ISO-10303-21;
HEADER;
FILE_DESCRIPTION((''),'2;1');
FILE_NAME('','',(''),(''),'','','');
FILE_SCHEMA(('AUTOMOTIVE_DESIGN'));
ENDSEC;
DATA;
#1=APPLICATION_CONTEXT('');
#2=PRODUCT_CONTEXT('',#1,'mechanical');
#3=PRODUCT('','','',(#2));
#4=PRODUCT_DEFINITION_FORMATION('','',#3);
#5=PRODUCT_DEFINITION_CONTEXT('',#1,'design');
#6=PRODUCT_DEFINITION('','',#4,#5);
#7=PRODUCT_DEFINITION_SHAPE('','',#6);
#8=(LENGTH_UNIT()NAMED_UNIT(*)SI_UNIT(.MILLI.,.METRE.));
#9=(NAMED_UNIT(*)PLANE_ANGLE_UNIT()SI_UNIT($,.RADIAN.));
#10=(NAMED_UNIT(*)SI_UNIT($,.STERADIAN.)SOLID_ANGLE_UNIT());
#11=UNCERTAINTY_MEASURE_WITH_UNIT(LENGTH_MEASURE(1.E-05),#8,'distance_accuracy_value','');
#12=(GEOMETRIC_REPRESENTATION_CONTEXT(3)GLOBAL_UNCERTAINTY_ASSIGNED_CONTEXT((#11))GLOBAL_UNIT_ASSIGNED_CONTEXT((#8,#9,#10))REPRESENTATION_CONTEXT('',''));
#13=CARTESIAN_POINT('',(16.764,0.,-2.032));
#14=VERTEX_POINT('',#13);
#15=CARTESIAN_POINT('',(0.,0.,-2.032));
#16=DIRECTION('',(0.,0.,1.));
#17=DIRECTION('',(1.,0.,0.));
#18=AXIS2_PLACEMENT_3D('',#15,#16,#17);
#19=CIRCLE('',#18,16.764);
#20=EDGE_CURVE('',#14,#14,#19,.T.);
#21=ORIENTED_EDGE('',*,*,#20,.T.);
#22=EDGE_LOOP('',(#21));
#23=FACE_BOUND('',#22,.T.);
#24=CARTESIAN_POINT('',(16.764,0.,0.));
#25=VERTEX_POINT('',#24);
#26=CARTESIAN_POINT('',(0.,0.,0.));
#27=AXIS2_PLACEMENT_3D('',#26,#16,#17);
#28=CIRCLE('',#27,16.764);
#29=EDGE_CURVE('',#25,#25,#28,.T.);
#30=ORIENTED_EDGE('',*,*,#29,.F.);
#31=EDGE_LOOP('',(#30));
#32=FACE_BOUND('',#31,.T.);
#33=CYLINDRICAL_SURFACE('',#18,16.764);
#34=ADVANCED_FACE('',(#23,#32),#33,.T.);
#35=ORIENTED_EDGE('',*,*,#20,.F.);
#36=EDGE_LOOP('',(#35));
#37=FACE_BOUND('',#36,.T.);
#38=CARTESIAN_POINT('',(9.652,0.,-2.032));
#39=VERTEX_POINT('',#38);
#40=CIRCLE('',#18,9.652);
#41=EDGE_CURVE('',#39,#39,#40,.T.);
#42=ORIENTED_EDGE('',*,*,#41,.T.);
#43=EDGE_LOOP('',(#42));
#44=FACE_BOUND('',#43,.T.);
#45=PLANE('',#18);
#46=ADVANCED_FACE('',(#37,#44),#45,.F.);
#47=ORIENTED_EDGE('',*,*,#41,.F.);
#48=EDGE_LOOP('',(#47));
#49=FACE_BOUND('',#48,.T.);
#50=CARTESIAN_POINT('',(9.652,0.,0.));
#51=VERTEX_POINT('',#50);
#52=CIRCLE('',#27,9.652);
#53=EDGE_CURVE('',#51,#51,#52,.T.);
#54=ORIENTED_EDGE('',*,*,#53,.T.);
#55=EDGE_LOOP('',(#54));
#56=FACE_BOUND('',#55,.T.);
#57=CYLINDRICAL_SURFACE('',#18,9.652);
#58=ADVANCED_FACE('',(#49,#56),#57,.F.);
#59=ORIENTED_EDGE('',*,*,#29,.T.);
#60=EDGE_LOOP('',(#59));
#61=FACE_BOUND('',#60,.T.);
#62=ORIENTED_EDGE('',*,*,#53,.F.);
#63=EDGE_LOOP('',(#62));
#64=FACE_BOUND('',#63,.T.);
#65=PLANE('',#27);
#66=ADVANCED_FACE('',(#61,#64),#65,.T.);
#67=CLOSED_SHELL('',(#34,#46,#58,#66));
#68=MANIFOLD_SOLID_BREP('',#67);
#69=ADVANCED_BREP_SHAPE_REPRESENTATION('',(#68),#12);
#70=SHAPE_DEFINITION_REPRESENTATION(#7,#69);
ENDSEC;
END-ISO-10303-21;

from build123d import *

# Parameters (mm, degrees)
SKETCH1_R      = 16.764
SKETCH1_R_2    = 9.652
EXTRUDE1_DEPTH = 2.032


with BuildPart() as part:
    # Sketch1 → Extrude1 (new body)
    with BuildSketch(Plane.XY):
        Circle(SKETCH1_R)
        Circle(SKETCH1_R_2, mode=Mode.SUBTRACT)
    extrude(amount=-EXTRUDE1_DEPTH)


solid = part.part
